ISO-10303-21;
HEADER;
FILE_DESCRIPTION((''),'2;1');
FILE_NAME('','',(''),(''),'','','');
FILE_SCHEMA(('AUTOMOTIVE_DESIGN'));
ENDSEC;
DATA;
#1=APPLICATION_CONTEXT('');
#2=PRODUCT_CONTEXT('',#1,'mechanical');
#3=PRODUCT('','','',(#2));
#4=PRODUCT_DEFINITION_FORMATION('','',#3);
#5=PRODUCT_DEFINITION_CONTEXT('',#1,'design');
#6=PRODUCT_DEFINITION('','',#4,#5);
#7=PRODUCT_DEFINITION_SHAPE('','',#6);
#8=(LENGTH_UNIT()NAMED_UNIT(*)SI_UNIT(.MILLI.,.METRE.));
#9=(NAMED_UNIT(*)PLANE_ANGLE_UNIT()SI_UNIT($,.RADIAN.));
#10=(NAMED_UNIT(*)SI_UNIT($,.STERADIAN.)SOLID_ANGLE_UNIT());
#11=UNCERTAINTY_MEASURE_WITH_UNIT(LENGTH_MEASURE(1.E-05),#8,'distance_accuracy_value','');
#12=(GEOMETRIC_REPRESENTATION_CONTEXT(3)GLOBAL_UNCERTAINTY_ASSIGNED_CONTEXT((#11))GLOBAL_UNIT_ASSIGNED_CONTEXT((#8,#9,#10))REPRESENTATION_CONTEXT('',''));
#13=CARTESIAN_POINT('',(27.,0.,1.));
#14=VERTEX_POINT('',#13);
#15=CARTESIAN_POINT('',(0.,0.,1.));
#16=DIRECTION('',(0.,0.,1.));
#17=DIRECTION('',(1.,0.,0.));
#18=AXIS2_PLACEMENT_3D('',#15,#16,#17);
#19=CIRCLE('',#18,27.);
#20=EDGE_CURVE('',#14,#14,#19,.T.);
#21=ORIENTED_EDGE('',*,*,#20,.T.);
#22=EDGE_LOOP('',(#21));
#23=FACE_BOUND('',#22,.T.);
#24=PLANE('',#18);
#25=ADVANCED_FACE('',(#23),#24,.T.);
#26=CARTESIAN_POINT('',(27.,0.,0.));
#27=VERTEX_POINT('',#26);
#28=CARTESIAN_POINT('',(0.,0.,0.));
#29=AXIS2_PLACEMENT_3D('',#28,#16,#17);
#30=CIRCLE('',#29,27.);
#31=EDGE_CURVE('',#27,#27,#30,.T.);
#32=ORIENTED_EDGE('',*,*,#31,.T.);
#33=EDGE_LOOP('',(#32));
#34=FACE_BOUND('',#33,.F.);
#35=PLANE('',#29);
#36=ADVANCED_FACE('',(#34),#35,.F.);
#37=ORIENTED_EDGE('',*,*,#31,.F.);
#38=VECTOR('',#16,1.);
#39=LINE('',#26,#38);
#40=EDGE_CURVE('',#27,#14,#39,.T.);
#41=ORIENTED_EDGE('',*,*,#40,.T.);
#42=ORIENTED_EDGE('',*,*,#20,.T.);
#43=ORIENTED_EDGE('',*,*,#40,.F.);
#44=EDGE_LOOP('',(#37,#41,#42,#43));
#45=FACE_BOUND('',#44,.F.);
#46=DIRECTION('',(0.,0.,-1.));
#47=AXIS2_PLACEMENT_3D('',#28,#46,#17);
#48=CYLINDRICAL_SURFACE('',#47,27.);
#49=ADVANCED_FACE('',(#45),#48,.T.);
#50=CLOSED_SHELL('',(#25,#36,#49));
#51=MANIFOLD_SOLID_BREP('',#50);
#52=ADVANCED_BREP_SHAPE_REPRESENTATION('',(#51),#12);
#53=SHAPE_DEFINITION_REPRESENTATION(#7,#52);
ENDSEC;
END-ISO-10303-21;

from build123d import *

# Parameters (mm, degrees)
SKETCH_R  = 27
PAD_DEPTH = 1


with BuildPart() as part:
    # Sketch → Pad (new body)
    with BuildSketch(Plane.XY):
        Circle(SKETCH_R)
    extrude(amount=PAD_DEPTH)


solid = part.part
